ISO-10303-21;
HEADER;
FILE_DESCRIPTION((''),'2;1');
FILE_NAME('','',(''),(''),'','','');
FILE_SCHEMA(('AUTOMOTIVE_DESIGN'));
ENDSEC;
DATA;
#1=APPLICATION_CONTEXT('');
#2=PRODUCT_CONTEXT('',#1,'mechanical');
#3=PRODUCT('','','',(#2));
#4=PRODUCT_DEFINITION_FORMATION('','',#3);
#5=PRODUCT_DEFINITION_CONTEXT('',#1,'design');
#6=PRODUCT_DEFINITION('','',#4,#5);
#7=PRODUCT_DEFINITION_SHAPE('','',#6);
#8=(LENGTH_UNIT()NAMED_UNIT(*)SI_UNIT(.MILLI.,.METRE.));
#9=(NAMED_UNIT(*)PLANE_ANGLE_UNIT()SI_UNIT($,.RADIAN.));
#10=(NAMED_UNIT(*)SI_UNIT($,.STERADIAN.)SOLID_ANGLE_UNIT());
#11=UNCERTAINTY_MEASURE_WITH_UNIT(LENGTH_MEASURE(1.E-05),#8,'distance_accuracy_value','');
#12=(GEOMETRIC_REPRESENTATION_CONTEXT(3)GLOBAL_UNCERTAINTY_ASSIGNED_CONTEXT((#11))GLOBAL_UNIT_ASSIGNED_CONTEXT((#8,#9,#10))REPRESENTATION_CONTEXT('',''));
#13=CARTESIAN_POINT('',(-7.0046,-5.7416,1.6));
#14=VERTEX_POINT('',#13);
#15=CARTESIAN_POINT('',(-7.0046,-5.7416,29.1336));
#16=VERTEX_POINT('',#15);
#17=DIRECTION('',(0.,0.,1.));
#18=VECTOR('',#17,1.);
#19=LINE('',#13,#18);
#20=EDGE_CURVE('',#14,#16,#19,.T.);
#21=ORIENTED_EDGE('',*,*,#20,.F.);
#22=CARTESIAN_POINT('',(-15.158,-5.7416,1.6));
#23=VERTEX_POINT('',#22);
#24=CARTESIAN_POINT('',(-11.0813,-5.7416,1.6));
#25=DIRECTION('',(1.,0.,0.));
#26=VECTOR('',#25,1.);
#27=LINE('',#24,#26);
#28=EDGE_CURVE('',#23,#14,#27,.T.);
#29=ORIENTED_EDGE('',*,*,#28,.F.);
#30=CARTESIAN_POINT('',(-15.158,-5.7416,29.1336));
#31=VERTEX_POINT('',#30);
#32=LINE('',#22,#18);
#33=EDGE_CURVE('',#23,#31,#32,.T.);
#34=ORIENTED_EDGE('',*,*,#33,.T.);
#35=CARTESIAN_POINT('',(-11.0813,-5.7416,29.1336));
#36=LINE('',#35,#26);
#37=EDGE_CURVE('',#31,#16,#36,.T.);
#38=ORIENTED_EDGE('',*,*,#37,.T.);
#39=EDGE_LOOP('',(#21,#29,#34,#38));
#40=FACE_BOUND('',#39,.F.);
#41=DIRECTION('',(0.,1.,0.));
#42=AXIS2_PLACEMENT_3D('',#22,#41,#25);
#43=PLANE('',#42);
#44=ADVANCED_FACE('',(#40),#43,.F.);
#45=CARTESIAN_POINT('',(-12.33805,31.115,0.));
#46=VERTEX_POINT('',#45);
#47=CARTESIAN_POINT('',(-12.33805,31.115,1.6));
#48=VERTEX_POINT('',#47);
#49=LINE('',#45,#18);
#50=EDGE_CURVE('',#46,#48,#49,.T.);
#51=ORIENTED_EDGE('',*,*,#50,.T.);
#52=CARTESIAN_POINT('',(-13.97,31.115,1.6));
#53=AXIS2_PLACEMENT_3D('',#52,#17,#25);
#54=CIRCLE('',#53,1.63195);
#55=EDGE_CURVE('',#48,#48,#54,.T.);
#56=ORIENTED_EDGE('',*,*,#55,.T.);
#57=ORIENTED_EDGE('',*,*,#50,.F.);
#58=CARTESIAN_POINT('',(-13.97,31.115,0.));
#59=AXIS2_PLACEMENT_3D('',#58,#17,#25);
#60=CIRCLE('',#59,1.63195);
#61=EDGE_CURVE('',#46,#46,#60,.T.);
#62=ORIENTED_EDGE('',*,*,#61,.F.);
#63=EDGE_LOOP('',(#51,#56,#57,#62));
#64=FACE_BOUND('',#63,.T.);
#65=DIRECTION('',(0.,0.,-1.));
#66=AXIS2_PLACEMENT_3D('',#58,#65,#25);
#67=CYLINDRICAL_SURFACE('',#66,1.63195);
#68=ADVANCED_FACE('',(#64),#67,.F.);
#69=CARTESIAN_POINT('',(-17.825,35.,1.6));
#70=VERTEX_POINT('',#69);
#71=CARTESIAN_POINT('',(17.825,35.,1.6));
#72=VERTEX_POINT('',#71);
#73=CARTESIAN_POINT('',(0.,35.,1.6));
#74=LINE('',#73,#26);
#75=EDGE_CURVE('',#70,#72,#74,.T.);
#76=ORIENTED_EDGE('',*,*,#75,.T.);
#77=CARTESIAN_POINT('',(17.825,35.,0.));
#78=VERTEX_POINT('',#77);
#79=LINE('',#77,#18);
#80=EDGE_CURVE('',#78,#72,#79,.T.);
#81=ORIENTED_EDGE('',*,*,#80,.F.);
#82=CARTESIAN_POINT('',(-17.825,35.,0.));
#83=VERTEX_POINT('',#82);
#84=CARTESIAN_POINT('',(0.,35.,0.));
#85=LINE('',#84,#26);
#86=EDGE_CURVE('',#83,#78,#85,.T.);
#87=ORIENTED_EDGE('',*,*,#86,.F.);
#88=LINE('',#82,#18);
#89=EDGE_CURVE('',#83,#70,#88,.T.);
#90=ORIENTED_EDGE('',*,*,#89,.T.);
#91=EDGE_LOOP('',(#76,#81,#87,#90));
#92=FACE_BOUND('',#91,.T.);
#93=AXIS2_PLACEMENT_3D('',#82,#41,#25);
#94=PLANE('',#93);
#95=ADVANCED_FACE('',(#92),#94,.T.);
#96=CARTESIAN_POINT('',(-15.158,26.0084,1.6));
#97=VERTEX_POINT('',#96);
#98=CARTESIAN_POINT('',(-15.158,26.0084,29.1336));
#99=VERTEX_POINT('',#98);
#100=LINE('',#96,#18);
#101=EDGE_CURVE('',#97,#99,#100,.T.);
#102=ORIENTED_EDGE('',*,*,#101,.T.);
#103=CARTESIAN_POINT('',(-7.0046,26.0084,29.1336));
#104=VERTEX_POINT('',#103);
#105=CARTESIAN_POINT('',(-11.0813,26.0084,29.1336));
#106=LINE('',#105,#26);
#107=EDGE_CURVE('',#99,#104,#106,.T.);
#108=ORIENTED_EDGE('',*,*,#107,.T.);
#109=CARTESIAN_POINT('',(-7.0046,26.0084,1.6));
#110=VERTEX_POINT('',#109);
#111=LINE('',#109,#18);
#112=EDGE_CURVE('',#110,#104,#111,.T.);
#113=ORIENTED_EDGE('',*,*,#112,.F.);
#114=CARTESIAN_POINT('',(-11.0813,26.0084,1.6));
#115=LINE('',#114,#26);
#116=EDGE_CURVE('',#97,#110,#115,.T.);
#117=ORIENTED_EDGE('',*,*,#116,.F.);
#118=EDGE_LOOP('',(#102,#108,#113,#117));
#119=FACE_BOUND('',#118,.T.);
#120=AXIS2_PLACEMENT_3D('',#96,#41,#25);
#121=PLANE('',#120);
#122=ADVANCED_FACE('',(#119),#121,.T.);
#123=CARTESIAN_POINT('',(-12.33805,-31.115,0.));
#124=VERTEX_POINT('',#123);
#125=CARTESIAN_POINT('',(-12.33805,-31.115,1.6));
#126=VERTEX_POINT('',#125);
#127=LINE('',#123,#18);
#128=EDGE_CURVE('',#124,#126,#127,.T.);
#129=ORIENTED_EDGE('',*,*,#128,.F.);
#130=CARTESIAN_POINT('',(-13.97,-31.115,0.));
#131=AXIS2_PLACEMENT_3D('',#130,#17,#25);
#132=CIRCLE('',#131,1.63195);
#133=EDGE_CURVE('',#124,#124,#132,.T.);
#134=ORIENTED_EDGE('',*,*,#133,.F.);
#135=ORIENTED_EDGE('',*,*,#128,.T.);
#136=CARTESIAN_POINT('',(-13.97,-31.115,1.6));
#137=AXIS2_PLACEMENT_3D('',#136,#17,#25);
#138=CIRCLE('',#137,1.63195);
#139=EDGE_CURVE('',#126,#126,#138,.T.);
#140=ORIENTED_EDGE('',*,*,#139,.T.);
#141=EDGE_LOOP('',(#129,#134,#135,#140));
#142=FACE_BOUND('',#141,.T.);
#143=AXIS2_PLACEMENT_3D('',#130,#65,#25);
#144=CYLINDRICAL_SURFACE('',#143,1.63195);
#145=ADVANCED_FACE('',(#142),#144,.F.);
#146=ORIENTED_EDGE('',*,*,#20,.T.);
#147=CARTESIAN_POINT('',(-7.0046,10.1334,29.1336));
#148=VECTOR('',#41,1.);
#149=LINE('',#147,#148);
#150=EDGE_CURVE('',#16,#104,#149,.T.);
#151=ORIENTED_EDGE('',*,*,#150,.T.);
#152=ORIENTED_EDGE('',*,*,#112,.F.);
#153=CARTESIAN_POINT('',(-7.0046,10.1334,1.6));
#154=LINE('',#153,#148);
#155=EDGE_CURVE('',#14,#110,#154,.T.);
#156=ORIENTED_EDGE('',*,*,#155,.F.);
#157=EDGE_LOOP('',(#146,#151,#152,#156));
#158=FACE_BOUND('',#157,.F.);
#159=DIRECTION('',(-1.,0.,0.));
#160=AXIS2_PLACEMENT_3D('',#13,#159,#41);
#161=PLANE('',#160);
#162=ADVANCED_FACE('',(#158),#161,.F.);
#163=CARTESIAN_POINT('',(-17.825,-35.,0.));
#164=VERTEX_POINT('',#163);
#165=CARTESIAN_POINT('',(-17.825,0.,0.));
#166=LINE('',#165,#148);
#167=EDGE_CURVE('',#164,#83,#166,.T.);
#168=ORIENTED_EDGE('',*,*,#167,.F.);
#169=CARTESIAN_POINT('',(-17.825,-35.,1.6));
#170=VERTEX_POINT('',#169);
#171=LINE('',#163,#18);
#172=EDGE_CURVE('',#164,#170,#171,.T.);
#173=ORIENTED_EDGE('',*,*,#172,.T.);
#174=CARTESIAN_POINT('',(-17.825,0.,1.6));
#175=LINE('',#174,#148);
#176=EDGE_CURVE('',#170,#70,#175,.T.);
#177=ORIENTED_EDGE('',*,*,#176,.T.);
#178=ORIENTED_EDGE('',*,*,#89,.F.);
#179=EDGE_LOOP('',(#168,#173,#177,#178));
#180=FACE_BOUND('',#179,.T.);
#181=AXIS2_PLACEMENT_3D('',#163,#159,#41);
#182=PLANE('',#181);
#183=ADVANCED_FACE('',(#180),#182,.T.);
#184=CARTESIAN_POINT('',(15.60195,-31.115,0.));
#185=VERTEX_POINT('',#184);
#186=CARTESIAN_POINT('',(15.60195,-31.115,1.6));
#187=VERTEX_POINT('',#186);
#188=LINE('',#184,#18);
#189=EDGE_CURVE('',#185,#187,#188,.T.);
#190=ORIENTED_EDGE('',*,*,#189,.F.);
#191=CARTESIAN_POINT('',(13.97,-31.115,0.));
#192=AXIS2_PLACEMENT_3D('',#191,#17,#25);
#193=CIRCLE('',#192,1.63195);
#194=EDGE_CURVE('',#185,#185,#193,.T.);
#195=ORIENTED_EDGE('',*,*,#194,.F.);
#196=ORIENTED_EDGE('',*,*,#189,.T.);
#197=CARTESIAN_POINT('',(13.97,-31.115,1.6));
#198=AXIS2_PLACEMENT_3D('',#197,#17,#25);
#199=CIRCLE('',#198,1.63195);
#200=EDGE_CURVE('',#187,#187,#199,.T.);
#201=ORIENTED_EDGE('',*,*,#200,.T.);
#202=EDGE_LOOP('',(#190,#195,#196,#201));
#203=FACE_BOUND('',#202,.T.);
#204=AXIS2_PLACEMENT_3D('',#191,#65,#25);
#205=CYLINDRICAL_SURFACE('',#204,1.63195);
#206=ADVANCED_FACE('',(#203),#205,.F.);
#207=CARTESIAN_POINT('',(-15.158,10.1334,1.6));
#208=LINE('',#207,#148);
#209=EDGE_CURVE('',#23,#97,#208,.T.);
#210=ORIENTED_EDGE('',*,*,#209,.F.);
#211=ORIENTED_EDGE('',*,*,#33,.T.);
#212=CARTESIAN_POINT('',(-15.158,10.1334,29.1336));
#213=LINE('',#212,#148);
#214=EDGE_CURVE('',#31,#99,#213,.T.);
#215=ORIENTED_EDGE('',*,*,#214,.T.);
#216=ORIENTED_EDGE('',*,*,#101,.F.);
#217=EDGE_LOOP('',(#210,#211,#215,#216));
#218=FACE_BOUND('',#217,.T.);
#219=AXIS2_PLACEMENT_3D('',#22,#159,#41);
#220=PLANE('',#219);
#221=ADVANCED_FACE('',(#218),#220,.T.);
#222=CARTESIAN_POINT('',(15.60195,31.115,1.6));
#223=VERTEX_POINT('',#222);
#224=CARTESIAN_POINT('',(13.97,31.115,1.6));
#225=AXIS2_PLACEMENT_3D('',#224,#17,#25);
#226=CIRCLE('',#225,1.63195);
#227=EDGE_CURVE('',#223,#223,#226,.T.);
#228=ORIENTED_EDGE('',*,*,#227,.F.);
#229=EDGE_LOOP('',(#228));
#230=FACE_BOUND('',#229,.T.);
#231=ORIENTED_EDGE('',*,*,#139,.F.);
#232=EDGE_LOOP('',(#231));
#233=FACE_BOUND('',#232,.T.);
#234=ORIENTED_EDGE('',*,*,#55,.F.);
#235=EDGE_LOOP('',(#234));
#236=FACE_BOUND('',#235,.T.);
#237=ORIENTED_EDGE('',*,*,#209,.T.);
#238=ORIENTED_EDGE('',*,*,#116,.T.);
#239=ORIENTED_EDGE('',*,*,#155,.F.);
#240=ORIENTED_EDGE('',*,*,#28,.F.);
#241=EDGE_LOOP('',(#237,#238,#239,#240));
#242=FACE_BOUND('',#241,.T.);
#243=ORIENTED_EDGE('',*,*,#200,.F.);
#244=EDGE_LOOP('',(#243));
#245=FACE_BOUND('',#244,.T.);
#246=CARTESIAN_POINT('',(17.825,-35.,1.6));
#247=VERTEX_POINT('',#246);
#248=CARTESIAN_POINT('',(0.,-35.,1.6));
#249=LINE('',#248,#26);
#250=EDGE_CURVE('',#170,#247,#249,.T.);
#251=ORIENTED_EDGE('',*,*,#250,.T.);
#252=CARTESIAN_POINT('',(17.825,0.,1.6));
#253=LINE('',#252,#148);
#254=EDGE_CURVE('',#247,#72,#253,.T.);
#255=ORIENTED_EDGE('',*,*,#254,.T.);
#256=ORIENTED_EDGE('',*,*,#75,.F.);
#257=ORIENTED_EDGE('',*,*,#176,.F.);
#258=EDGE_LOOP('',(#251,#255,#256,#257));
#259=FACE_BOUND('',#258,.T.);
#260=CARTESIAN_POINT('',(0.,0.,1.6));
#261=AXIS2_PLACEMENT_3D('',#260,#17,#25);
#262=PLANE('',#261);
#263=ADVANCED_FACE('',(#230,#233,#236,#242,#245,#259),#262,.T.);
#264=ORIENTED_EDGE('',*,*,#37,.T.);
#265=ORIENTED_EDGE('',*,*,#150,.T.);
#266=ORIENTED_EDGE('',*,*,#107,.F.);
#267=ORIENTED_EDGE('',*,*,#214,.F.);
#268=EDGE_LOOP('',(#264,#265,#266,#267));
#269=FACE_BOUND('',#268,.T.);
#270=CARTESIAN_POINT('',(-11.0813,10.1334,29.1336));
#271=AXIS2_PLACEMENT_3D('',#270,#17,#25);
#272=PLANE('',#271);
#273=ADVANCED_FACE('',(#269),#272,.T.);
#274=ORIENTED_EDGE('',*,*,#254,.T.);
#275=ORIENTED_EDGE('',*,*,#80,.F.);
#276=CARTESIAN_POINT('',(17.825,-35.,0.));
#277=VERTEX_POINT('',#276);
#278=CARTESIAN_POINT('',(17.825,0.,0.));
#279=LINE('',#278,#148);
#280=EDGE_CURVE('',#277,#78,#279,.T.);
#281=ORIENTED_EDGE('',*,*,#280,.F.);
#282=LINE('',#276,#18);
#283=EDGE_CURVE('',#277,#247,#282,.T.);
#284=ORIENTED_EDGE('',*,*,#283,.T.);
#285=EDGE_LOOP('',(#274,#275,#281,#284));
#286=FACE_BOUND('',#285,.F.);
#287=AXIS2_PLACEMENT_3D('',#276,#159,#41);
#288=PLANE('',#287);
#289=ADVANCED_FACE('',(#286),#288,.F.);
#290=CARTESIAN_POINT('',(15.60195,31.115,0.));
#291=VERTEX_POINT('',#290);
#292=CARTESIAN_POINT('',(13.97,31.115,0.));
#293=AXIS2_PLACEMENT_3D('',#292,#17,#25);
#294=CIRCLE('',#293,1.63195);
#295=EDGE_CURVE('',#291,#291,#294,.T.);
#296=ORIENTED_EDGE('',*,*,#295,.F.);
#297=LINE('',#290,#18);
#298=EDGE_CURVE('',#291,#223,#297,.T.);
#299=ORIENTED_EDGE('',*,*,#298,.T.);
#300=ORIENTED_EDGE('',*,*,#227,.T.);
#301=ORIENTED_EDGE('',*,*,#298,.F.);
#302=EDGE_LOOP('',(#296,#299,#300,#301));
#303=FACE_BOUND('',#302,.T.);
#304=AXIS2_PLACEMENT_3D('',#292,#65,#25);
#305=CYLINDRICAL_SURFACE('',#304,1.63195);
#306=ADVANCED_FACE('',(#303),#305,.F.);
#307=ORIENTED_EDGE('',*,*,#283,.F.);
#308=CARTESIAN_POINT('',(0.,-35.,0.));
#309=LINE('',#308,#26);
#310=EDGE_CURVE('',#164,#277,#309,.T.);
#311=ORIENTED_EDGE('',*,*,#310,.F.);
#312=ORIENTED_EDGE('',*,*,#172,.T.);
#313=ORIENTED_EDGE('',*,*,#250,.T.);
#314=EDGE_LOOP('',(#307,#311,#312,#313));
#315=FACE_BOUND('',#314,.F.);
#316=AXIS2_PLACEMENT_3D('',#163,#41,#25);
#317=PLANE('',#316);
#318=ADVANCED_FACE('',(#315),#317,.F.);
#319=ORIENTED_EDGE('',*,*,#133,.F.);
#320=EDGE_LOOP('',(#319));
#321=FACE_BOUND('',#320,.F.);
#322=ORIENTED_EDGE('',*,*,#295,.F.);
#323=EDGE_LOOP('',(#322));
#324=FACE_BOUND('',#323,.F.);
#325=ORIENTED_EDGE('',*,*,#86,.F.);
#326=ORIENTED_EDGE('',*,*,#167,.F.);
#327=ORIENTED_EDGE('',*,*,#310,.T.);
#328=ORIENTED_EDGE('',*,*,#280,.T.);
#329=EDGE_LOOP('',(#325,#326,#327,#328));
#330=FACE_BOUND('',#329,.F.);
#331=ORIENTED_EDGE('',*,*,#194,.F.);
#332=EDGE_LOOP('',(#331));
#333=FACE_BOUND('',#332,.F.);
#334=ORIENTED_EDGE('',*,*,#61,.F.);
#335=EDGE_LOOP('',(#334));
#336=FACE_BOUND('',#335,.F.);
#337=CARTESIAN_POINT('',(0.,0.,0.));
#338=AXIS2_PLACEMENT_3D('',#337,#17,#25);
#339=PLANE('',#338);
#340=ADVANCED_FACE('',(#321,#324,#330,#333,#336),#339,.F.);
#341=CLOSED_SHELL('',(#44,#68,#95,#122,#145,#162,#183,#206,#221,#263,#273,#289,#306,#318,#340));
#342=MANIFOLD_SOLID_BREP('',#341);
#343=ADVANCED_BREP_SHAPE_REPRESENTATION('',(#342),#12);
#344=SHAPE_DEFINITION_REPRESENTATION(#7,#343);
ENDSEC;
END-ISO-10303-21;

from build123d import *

# Parameters (mm, degrees)
F0_W     = 35.65
F0_H     = 70
F0_R     = 1.63195
F1_DEPTH = 1.6
F2_W     = 8.1534
F2_H     = 31.75
F3_DEPTH = 27.5336


with BuildPart() as f1:
    # F0 (on Top) → F1 (new body)
    with BuildSketch(Plane.XY):
        Rectangle(F0_W, F0_H)
        with Locations((-13.97, -31.115)):
            Circle(F0_R, mode=Mode.SUBTRACT)
        with Locations((13.97, -31.115)):
            Circle(F0_R, mode=Mode.SUBTRACT)
        with Locations((-13.97, 31.115)):
            Circle(F0_R, mode=Mode.SUBTRACT)
        with Locations((13.97, 31.115)):
            Circle(F0_R, mode=Mode.SUBTRACT)
    extrude(amount=F1_DEPTH)

    # F2 (on face) → F3 (join)
    with BuildSketch(Plane.XY.offset(1.6)):
        with Locations((-11.0813, 10.1334)):
            Rectangle(F2_W, F2_H)
    extrude(amount=F3_DEPTH)


solid = f1.part
